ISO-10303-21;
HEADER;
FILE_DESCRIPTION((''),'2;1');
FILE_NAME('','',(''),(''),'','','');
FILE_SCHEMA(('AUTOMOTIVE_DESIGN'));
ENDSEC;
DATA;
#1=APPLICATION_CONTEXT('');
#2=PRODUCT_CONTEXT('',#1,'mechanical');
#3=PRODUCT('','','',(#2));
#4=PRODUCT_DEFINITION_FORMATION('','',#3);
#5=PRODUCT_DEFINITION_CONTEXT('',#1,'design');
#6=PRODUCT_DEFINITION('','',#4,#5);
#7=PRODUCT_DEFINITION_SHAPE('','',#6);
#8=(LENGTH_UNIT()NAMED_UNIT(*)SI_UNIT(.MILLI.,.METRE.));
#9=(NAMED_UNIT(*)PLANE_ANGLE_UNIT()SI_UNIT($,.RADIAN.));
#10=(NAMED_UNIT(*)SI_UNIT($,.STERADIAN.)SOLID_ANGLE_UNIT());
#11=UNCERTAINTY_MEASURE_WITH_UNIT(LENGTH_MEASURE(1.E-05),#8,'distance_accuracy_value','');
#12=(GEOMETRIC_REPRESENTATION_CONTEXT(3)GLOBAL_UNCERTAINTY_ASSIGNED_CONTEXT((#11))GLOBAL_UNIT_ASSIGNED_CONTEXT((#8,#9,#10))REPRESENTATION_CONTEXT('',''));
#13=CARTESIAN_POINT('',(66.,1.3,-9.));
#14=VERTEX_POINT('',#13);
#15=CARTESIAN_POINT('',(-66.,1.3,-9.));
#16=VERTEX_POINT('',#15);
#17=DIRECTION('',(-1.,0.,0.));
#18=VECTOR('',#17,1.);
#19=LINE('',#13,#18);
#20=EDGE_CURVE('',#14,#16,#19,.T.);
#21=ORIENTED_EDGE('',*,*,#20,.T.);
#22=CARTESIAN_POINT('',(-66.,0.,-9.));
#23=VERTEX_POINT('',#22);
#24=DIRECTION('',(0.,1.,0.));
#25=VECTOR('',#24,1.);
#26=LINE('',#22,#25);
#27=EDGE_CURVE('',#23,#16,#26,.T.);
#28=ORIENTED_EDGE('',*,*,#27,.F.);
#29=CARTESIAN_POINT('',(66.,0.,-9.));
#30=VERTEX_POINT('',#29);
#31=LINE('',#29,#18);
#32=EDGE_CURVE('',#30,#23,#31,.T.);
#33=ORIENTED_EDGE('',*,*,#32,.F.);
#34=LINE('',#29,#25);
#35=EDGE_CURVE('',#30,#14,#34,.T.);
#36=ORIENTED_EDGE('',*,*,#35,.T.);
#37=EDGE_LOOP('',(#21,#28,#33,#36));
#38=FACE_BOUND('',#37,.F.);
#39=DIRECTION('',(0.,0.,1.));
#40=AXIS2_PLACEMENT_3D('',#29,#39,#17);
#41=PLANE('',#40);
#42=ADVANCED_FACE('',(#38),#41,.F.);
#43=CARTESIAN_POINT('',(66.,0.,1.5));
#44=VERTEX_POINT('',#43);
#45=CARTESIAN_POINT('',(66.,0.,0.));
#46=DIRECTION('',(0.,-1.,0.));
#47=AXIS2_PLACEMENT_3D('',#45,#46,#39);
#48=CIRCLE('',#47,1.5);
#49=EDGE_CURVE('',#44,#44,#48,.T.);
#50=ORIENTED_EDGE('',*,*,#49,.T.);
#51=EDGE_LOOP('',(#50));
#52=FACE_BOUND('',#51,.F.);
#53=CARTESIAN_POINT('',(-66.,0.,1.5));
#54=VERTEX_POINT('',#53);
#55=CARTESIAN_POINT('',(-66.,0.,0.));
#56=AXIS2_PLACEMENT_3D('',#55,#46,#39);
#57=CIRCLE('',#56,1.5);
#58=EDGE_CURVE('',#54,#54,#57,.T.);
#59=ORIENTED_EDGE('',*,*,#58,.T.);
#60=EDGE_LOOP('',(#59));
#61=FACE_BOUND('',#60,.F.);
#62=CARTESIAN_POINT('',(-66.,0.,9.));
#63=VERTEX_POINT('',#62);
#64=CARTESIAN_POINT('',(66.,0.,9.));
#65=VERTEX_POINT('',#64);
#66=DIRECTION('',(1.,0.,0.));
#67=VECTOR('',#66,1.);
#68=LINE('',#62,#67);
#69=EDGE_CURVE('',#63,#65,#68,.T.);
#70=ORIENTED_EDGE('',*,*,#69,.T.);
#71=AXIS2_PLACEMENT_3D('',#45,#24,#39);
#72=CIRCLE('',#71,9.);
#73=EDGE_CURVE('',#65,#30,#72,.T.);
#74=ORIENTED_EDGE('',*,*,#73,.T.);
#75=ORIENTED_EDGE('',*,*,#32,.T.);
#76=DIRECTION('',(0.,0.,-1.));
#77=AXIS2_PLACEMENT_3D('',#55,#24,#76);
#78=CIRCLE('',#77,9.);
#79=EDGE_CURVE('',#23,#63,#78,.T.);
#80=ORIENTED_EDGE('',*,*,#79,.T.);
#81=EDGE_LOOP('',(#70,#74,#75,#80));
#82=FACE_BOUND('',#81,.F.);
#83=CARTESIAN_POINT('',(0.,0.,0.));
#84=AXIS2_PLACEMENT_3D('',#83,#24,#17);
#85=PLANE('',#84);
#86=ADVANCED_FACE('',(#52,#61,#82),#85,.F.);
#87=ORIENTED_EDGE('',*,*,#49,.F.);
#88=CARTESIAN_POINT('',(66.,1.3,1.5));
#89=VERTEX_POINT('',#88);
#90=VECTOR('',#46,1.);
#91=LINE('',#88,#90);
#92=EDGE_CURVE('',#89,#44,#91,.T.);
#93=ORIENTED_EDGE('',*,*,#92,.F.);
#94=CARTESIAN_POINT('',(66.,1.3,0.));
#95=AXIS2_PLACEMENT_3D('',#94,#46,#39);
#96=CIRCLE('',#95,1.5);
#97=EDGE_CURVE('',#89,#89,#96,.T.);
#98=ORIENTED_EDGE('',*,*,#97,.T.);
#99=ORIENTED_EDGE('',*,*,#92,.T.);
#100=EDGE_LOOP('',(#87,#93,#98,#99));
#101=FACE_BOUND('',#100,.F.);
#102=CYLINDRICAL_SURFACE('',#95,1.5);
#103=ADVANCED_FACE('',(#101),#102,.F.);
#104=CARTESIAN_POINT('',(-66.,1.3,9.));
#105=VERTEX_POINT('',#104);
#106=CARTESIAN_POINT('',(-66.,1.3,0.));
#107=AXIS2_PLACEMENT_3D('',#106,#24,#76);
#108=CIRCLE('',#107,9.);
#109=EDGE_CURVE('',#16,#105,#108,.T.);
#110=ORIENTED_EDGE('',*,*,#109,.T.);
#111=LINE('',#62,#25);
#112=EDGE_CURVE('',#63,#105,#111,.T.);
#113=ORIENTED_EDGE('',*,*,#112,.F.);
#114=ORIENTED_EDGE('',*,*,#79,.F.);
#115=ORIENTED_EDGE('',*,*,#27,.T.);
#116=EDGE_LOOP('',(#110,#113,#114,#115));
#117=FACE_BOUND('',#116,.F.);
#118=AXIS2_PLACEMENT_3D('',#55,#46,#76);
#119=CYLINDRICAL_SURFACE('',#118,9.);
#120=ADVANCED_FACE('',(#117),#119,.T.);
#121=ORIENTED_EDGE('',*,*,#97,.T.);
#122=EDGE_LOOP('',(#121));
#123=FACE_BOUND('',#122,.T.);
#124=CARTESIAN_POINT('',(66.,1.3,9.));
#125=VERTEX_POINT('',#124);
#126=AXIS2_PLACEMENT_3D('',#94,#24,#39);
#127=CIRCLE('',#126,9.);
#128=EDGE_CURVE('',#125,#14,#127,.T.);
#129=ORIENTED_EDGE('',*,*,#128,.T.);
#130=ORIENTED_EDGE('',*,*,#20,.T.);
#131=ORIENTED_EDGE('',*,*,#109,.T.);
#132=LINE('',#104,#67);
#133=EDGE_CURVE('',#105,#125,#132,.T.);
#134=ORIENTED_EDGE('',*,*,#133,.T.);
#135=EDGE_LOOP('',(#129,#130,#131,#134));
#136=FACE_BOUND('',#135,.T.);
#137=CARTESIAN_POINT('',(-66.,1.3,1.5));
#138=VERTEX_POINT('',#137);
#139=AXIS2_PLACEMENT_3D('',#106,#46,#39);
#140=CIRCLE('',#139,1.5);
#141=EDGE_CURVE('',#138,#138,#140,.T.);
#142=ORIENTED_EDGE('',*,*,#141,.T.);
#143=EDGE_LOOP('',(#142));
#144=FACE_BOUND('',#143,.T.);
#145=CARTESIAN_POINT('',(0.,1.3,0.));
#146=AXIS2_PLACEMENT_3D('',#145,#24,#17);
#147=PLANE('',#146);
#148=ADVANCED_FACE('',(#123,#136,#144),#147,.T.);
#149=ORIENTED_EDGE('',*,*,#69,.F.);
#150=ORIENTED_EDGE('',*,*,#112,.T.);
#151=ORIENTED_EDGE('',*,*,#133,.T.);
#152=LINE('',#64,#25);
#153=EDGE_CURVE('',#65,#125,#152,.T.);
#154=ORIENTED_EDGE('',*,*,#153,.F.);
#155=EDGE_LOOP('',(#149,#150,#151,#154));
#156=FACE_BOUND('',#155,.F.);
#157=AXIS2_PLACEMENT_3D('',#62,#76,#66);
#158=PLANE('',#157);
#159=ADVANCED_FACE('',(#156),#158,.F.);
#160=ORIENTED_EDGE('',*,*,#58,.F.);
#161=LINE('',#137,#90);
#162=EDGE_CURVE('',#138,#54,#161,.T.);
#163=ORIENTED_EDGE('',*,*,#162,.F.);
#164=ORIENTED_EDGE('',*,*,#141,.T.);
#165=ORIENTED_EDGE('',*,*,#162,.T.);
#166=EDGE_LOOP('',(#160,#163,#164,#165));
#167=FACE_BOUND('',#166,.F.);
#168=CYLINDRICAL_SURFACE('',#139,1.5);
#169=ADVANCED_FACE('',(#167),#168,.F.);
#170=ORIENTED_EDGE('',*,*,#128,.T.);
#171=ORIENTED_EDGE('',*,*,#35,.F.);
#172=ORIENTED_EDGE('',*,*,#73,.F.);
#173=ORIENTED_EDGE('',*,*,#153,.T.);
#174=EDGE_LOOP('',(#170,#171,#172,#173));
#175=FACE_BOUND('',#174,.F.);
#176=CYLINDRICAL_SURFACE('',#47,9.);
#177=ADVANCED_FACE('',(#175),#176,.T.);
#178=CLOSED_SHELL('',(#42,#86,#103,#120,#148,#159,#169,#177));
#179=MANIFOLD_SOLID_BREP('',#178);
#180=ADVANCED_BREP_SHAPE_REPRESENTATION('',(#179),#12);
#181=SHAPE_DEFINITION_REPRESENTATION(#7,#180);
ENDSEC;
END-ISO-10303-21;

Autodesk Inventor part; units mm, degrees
ref_plane "YZ Plane" through (0, 0, 0) normal (1, 0, 0) x (0, 1, 0)
ref_plane "XZ Plane" through (0, 0, 0) normal (0, 1, 0) x (-1, 0, 0)
ref_plane "XY Plane" through (0, 0, 0) normal (0, 0, 1) x (1, 0, 0)
sketch "Sketch1" plane through (0, 0, 0) normal (0, 1, 0) x (-1, 0, 0)
  line L0 (66, 0) -> (-66, 0) construction
  line L1 (66, 9) -> (-66, 9)
  line L2 (-66, -9) -> (66, -9)
  arc A0 (66, -9) -> (66, 9) centre (66, 0) ccw
  arc A1 (-66, 9) -> (-66, -9) centre (-66, 0) ccw
  point P0 (0, 0)
  dimension "d0" = 66
  dimension "d1" = 18
extrude "Extrusion1" add sketch "Sketch1" along normal blind 1.3
sketch "Sketch2" plane through (0, 1.3, 0) normal (0, 1, 0) x (1, 0, 0)
  arc A0 (-66, 9) -> (-66, -9) centre (-66, 0) ccw projected
  arc A1 (66, -9) -> (66, 9) centre (66, 0) ccw projected
  point P0 (0, 0)
hole "Hole1" at (-66, 1.3, 0) at (66, 1.3, 0) direction (0, -1, 0) diameter 3 end through all
thread "Thread1" size "M3x0.5" class "6H" standard "ANSI Metric M Profile" full length
thread "Thread2" size "M3x0.5" class "6H" standard "ANSI Metric M Profile" full length
properties part number "upper link"
